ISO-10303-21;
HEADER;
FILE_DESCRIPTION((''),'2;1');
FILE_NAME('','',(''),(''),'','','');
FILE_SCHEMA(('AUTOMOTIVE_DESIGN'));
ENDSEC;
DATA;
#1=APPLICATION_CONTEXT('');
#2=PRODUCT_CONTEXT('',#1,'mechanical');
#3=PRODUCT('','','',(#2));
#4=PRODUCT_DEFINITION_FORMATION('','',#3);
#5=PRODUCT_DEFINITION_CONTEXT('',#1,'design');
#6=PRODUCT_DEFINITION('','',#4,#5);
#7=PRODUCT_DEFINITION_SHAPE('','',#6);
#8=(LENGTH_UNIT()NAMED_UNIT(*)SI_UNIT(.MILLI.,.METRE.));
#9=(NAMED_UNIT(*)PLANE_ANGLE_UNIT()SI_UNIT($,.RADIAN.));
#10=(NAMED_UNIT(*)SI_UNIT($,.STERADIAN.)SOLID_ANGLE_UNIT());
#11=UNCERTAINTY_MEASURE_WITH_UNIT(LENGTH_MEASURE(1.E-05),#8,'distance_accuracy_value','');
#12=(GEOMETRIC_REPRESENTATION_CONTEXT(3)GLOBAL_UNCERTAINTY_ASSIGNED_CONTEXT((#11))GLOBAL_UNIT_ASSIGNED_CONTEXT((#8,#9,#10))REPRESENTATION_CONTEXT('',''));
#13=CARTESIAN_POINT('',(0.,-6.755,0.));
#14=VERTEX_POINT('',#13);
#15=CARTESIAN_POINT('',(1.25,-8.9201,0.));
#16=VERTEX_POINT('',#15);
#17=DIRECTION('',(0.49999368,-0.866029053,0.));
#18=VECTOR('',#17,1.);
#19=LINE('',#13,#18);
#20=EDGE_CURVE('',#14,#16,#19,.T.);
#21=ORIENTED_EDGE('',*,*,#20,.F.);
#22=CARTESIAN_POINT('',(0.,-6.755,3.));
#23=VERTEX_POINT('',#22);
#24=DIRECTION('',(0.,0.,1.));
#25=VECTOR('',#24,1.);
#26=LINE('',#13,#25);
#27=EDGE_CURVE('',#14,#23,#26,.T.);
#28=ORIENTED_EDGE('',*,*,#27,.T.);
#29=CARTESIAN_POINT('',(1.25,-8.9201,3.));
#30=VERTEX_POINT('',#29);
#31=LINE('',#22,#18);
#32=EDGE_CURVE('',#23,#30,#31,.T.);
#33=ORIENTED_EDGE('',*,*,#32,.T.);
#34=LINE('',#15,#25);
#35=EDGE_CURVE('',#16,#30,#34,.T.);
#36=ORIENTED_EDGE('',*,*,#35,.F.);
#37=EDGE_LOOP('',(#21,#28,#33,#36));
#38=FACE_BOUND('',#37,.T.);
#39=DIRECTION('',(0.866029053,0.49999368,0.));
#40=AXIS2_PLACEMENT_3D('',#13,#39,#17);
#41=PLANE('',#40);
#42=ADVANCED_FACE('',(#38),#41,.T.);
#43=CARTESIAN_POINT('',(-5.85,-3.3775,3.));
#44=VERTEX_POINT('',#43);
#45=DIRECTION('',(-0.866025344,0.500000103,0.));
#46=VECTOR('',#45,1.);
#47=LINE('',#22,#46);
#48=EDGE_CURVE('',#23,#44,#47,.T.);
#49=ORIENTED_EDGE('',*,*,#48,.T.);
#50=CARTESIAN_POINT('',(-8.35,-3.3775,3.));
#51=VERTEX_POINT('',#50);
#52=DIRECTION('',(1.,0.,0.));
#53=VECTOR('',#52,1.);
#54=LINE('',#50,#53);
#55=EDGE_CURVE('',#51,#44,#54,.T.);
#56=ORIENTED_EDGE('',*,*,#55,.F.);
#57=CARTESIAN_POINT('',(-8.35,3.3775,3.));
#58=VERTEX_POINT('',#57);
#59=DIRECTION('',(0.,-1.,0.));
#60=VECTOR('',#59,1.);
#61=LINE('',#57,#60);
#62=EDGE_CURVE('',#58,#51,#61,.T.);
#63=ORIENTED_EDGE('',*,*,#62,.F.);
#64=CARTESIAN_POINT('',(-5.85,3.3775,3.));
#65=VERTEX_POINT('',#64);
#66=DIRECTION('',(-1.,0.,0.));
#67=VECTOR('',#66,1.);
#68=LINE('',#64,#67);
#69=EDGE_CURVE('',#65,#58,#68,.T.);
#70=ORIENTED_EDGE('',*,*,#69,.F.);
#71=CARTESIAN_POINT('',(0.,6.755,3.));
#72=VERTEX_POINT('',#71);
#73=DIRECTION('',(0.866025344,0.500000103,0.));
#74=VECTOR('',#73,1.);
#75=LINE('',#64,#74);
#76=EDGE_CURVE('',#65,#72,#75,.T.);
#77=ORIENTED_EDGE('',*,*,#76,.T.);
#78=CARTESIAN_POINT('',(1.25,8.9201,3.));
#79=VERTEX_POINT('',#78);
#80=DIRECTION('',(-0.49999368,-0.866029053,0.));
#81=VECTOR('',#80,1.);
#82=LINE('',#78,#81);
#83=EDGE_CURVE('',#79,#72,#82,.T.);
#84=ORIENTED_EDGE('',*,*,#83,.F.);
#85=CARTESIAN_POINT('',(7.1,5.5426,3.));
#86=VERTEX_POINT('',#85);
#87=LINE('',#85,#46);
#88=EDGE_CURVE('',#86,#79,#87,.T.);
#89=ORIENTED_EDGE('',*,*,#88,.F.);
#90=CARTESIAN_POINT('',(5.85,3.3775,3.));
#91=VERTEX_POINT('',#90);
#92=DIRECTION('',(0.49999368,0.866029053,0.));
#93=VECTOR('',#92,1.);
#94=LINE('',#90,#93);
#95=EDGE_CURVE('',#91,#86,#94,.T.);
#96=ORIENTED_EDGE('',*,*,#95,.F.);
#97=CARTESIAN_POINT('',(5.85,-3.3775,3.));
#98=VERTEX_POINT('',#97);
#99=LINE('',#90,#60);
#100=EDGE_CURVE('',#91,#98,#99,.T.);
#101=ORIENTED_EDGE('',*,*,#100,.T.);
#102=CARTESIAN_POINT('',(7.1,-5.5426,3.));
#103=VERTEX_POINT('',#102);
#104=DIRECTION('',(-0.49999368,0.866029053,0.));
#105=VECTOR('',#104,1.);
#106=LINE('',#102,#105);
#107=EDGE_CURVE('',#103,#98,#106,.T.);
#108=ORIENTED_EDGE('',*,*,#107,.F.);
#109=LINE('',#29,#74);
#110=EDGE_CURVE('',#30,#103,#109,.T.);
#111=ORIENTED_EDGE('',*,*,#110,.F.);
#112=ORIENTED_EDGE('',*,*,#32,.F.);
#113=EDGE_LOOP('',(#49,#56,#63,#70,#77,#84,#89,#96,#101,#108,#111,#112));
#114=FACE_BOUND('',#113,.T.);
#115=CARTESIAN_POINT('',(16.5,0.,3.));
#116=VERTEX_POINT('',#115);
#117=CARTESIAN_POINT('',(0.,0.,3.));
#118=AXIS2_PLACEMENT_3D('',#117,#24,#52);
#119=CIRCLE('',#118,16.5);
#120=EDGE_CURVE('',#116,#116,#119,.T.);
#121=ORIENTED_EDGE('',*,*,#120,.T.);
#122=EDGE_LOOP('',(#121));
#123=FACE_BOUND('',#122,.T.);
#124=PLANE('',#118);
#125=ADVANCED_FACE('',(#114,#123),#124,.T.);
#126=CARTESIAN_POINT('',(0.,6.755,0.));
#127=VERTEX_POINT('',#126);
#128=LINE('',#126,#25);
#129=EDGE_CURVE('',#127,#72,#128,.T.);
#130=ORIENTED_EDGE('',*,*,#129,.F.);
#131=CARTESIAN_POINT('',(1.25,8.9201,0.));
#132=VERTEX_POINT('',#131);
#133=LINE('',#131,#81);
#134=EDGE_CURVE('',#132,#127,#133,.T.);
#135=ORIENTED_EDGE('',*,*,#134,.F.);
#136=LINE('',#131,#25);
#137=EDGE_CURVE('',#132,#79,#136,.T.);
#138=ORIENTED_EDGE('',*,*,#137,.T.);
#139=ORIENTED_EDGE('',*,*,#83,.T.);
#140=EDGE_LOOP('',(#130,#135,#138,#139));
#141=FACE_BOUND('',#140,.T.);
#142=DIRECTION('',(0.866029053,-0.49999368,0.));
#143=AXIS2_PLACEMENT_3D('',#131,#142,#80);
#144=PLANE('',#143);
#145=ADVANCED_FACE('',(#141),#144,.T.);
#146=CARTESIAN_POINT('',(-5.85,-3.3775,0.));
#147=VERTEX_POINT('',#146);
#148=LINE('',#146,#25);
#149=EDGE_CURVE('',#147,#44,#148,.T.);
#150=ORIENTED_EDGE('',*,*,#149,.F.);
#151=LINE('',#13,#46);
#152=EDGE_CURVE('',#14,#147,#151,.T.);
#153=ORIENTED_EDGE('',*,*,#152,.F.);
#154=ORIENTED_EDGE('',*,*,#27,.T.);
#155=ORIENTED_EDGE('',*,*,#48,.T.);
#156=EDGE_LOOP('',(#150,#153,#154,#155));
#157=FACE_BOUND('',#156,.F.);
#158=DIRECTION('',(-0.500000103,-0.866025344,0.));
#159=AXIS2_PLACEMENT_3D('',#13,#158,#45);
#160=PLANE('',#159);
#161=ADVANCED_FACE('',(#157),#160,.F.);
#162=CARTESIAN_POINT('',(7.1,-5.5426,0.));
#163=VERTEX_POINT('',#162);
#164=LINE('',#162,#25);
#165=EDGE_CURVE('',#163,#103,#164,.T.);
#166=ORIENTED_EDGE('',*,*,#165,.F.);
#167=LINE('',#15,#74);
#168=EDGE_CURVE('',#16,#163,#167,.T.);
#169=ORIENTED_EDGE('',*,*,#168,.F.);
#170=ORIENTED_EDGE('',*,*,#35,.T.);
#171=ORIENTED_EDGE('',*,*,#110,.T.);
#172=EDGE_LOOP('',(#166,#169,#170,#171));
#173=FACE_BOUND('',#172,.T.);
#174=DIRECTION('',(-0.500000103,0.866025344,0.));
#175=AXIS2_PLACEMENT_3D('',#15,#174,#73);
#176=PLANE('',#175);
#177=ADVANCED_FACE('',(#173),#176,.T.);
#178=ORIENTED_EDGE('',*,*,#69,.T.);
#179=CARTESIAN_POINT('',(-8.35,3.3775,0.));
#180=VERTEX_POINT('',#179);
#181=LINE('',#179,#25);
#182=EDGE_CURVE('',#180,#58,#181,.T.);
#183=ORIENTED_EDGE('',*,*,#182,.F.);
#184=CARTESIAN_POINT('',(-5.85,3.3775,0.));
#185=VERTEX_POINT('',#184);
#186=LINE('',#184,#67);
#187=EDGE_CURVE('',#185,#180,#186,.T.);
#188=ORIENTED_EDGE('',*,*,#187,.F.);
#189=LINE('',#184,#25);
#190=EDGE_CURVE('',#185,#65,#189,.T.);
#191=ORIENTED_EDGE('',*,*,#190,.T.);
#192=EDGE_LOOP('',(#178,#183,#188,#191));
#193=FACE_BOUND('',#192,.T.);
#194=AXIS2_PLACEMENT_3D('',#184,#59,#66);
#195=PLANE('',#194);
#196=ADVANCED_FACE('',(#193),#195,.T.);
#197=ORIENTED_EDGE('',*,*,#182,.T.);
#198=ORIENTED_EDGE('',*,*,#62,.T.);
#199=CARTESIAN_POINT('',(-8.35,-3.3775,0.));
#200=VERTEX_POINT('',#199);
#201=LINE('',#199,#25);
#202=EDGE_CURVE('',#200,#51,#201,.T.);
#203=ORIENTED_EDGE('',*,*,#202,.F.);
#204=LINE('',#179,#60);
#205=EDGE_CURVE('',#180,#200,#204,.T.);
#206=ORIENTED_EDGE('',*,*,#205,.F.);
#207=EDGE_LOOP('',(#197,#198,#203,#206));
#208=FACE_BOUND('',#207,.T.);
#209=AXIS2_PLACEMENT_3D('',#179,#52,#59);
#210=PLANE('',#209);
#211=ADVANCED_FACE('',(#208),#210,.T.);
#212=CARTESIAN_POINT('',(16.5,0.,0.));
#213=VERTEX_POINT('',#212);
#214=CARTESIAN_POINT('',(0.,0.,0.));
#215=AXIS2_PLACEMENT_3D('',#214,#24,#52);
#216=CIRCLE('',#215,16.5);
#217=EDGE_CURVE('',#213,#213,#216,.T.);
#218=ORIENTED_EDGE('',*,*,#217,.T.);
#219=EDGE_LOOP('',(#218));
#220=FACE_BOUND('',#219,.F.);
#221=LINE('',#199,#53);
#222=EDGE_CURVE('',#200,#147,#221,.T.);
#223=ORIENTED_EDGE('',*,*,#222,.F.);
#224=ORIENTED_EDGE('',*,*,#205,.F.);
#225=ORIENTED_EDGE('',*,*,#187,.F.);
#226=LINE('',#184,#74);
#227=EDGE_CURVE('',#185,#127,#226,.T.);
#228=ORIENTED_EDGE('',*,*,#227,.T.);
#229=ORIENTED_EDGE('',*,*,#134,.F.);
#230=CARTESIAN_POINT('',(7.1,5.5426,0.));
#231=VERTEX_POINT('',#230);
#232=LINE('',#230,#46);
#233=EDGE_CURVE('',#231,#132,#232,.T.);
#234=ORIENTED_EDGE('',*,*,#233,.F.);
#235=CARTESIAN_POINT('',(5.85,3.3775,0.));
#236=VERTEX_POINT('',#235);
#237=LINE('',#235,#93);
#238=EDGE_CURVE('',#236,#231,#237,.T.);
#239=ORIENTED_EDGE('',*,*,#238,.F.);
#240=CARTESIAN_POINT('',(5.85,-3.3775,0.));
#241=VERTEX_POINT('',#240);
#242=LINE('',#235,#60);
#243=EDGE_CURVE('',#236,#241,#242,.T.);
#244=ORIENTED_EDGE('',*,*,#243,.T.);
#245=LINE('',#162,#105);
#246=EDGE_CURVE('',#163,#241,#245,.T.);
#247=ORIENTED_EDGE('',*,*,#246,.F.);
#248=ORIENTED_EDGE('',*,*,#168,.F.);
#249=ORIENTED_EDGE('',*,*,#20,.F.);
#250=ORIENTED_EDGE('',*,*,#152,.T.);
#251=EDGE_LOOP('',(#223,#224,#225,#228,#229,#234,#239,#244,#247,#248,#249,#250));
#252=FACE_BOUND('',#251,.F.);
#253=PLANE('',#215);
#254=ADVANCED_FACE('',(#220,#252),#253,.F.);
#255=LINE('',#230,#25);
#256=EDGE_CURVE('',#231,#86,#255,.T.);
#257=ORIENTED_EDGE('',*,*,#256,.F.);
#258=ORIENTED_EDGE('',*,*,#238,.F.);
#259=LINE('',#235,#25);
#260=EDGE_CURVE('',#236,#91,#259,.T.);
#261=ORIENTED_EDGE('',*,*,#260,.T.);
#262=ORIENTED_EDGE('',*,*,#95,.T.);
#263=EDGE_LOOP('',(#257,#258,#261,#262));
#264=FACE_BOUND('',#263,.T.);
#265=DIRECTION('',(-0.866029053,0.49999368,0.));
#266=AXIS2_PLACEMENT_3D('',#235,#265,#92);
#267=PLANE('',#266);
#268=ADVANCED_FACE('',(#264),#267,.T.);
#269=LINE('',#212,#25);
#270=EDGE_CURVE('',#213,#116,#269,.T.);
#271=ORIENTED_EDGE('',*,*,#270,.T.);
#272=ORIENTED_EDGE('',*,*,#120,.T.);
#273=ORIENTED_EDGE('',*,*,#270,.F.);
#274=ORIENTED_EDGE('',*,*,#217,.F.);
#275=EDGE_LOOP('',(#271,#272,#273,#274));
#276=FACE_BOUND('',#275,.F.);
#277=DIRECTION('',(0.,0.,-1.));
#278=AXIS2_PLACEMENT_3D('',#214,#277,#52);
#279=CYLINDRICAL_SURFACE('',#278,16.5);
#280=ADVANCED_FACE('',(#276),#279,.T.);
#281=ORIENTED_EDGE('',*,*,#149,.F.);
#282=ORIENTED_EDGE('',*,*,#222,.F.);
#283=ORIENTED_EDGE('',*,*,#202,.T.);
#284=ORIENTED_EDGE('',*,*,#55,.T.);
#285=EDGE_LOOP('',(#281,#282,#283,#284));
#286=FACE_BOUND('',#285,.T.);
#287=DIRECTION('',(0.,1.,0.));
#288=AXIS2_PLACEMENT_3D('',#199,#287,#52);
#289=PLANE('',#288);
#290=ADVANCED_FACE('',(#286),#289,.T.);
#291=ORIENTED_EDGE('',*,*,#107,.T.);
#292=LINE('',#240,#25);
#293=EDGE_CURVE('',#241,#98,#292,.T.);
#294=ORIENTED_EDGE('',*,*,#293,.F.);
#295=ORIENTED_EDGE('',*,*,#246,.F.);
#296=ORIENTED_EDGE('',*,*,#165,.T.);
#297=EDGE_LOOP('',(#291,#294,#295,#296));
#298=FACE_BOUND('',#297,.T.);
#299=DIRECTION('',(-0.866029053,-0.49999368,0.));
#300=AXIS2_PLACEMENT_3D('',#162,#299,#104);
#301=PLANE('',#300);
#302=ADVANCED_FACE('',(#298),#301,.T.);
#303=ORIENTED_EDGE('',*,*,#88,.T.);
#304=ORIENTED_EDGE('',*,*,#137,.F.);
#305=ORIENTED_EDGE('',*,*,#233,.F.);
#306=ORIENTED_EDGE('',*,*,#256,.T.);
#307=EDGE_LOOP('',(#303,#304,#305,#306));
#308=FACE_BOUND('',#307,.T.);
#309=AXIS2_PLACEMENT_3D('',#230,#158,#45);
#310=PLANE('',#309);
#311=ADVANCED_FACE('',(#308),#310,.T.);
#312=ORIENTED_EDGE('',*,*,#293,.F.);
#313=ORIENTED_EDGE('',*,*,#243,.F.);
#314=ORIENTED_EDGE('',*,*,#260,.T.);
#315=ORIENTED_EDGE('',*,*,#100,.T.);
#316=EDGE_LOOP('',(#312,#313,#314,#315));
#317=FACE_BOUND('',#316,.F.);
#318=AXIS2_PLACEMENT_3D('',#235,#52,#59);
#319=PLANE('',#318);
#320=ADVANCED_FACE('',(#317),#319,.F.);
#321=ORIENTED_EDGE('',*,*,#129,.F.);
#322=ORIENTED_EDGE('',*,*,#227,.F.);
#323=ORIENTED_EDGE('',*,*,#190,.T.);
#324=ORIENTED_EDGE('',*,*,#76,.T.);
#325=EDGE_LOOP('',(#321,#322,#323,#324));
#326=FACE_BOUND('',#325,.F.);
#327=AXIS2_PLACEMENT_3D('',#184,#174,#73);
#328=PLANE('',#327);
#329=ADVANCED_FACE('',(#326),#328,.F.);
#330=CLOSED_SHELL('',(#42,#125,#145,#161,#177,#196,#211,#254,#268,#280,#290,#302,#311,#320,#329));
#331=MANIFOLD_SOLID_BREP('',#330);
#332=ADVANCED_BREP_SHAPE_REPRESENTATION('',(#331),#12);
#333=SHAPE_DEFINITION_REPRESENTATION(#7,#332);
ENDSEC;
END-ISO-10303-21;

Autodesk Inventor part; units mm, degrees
ref_plane "YZ Plane" through (0, 0, 0) normal (1, 0, 0) x (0, 1, 0)
ref_plane "XZ Plane" through (0, 0, 0) normal (0, 1, 0) x (-1, 0, 0)
ref_plane "XY Plane" through (0, 0, 0) normal (0, 0, 1) x (1, 0, 0)
sketch "草圖1" plane through (0, 0, 0) normal (0, 0, 1) x (1, 0, 0)
  line L0 (5.85, -3.3775) -> (0, -6.755)
  line L1 (5.85, 3.3775) -> (5.85, -3.3775)
  line L2 (0, 6.755) -> (5.85, 3.3775)
  line L3 (-5.85, 3.3775) -> (0, 6.755)
  line L4 (-5.85, -3.3775) -> (-5.85, 3.3775)
  line L5 (0, -6.755) -> (-5.85, -3.3775)
  line L6 (-5.85, 3.3775) -> (0, 6.755)
  line L7 (0, 6.755) -> (5.85, 3.3775)
  line L8 (0, 6.755) -> (5.85, 3.3775)
  line L9 (5.85, 3.3775) -> (7.1, 5.5426)
  line L10 (7.1, 5.5426) -> (1.25, 8.9201)
  line L11 (1.25, 8.9201) -> (0, 6.755)
  line L12 (-5.85, -3.3775) -> (-5.85, 3.3775)
  line L13 (-5.85, 3.3775) -> (-8.35, 3.3775)
  line L14 (-8.35, 3.3775) -> (-8.35, -3.3775)
  line L15 (-8.35, -3.3775) -> (-5.85, -3.3775)
  line L16 (5.85, -3.3775) -> (0, -6.755)
  line L17 (0, -6.755) -> (1.25, -8.9201)
  line L18 (1.25, -8.9201) -> (7.1, -5.5426)
  line L19 (7.1, -5.5426) -> (5.85, -3.3775)
  circle A0 centre (0, 0) radius 16.5
  point P0 (0, -6.755)
  dimension "d2" = 2.5
  dimension "d3" = 360
  dimension "d4" = 33
extrude "擠出1" add sketch "草圖1" along normal blind 3
sketch "草圖2" plane through (0, 0, 3) normal (0, 0, 1) x (1, 0, 0)
  circle A0 centre (0, 0) radius 16.5 projected
  line L0 (0, 6.755) -> (1.25, 8.9201) projected
  line L1 (1.25, 8.9201) -> (7.1, 5.5426) projected
  line L2 (7.1, 5.5426) -> (5.85, 3.3775) projected
  line L3 (5.85, 3.3775) -> (5.85, -3.3775) projected
  line L4 (5.85, -3.3775) -> (7.1, -5.5426) projected
  line L5 (7.1, -5.5426) -> (1.25, -8.9201) projected
  line L6 (1.25, -8.9201) -> (0, -6.755) projected
  line L7 (0, -6.755) -> (-5.85, -3.3775) projected
  line L8 (-5.85, -3.3775) -> (-8.35, -3.3775) projected
  line L9 (-8.35, -3.3775) -> (-8.35, 3.3775) projected
  line L10 (-8.35, 3.3775) -> (-5.85, 3.3775) projected
  line L11 (-5.85, 3.3775) -> (0, 6.755) projected
properties part number "2GTbase"
